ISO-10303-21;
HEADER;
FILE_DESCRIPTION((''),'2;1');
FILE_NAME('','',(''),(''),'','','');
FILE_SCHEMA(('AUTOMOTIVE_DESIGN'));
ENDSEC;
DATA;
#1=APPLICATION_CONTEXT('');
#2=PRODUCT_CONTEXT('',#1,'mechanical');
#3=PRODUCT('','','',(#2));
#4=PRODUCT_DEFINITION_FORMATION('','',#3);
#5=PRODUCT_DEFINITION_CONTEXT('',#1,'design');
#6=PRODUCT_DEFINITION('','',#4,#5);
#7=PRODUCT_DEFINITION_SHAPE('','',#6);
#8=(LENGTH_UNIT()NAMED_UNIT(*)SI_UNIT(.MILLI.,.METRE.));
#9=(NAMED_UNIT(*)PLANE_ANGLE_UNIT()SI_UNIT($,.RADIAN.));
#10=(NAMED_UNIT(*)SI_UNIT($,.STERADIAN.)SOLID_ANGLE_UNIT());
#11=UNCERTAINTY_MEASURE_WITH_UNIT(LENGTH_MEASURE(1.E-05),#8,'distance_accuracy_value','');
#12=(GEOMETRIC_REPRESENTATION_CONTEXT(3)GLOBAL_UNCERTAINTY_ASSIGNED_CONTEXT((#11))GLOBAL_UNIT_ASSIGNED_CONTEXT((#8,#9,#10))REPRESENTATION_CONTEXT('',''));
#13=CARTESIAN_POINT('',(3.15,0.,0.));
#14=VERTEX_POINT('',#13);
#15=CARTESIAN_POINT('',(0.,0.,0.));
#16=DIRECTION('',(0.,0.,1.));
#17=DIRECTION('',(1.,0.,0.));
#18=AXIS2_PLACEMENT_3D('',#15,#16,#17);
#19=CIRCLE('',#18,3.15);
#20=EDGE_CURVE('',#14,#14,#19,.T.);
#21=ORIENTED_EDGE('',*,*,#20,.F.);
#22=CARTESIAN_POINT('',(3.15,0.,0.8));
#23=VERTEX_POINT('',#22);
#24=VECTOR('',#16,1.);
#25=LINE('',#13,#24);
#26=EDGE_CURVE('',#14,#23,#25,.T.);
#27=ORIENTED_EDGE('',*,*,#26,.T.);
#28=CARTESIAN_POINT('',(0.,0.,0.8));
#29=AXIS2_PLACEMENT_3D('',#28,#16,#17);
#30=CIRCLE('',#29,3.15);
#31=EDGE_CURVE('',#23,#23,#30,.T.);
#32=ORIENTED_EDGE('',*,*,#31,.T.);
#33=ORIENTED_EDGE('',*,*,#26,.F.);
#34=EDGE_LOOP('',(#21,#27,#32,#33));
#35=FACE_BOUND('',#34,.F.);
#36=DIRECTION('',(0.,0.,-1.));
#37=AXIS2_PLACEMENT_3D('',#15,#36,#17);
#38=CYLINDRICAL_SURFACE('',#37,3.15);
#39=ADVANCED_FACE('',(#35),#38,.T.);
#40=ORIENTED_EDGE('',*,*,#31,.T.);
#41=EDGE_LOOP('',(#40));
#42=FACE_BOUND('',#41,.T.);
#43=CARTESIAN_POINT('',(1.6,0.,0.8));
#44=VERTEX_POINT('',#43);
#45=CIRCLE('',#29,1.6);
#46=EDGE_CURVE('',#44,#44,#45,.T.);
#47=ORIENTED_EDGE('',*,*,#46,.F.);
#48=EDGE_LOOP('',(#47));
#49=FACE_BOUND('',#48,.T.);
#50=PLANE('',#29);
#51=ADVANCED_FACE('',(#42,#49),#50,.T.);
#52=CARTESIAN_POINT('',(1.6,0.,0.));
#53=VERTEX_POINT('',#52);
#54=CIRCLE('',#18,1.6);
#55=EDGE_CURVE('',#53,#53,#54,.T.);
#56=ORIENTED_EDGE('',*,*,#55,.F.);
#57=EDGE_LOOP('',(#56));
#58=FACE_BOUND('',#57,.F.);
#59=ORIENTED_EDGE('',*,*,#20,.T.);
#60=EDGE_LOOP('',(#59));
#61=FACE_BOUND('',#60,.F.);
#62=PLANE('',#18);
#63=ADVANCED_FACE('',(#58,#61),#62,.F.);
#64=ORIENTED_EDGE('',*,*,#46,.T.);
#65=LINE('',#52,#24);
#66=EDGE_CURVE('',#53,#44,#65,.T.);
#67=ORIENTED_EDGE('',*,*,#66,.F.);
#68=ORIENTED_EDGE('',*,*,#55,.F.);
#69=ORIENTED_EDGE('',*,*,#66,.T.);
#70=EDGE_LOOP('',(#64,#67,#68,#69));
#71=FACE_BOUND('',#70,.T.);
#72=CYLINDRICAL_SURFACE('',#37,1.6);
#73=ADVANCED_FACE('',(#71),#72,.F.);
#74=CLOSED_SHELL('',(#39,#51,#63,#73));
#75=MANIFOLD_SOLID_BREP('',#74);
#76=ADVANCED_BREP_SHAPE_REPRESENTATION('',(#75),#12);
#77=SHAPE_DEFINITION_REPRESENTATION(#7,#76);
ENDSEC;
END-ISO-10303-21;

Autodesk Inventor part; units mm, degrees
ref_plane "YZ Plane" through (0, 0, 0) normal (1, 0, 0) x (0, 1, 0)
ref_plane "XZ Plane" through (0, 0, 0) normal (0, 1, 0) x (-1, 0, 0)
ref_plane "XY Plane" through (0, 0, 0) normal (0, 0, 1) x (1, 0, 0)
sketch "Sketch1" plane through (0, 0, 0) normal (0, 0, 1) x (1, 0, 0)
  circle A0 centre (0, 0) radius 1.6
  circle A1 centre (0, 0) radius 3.15
  dimension "d0" = 3.2
  dimension "d1" = 6.3
extrude "Extrusion1" add sketch "Sketch1" along normal blind 0.8
properties part number "washer_3x6"
